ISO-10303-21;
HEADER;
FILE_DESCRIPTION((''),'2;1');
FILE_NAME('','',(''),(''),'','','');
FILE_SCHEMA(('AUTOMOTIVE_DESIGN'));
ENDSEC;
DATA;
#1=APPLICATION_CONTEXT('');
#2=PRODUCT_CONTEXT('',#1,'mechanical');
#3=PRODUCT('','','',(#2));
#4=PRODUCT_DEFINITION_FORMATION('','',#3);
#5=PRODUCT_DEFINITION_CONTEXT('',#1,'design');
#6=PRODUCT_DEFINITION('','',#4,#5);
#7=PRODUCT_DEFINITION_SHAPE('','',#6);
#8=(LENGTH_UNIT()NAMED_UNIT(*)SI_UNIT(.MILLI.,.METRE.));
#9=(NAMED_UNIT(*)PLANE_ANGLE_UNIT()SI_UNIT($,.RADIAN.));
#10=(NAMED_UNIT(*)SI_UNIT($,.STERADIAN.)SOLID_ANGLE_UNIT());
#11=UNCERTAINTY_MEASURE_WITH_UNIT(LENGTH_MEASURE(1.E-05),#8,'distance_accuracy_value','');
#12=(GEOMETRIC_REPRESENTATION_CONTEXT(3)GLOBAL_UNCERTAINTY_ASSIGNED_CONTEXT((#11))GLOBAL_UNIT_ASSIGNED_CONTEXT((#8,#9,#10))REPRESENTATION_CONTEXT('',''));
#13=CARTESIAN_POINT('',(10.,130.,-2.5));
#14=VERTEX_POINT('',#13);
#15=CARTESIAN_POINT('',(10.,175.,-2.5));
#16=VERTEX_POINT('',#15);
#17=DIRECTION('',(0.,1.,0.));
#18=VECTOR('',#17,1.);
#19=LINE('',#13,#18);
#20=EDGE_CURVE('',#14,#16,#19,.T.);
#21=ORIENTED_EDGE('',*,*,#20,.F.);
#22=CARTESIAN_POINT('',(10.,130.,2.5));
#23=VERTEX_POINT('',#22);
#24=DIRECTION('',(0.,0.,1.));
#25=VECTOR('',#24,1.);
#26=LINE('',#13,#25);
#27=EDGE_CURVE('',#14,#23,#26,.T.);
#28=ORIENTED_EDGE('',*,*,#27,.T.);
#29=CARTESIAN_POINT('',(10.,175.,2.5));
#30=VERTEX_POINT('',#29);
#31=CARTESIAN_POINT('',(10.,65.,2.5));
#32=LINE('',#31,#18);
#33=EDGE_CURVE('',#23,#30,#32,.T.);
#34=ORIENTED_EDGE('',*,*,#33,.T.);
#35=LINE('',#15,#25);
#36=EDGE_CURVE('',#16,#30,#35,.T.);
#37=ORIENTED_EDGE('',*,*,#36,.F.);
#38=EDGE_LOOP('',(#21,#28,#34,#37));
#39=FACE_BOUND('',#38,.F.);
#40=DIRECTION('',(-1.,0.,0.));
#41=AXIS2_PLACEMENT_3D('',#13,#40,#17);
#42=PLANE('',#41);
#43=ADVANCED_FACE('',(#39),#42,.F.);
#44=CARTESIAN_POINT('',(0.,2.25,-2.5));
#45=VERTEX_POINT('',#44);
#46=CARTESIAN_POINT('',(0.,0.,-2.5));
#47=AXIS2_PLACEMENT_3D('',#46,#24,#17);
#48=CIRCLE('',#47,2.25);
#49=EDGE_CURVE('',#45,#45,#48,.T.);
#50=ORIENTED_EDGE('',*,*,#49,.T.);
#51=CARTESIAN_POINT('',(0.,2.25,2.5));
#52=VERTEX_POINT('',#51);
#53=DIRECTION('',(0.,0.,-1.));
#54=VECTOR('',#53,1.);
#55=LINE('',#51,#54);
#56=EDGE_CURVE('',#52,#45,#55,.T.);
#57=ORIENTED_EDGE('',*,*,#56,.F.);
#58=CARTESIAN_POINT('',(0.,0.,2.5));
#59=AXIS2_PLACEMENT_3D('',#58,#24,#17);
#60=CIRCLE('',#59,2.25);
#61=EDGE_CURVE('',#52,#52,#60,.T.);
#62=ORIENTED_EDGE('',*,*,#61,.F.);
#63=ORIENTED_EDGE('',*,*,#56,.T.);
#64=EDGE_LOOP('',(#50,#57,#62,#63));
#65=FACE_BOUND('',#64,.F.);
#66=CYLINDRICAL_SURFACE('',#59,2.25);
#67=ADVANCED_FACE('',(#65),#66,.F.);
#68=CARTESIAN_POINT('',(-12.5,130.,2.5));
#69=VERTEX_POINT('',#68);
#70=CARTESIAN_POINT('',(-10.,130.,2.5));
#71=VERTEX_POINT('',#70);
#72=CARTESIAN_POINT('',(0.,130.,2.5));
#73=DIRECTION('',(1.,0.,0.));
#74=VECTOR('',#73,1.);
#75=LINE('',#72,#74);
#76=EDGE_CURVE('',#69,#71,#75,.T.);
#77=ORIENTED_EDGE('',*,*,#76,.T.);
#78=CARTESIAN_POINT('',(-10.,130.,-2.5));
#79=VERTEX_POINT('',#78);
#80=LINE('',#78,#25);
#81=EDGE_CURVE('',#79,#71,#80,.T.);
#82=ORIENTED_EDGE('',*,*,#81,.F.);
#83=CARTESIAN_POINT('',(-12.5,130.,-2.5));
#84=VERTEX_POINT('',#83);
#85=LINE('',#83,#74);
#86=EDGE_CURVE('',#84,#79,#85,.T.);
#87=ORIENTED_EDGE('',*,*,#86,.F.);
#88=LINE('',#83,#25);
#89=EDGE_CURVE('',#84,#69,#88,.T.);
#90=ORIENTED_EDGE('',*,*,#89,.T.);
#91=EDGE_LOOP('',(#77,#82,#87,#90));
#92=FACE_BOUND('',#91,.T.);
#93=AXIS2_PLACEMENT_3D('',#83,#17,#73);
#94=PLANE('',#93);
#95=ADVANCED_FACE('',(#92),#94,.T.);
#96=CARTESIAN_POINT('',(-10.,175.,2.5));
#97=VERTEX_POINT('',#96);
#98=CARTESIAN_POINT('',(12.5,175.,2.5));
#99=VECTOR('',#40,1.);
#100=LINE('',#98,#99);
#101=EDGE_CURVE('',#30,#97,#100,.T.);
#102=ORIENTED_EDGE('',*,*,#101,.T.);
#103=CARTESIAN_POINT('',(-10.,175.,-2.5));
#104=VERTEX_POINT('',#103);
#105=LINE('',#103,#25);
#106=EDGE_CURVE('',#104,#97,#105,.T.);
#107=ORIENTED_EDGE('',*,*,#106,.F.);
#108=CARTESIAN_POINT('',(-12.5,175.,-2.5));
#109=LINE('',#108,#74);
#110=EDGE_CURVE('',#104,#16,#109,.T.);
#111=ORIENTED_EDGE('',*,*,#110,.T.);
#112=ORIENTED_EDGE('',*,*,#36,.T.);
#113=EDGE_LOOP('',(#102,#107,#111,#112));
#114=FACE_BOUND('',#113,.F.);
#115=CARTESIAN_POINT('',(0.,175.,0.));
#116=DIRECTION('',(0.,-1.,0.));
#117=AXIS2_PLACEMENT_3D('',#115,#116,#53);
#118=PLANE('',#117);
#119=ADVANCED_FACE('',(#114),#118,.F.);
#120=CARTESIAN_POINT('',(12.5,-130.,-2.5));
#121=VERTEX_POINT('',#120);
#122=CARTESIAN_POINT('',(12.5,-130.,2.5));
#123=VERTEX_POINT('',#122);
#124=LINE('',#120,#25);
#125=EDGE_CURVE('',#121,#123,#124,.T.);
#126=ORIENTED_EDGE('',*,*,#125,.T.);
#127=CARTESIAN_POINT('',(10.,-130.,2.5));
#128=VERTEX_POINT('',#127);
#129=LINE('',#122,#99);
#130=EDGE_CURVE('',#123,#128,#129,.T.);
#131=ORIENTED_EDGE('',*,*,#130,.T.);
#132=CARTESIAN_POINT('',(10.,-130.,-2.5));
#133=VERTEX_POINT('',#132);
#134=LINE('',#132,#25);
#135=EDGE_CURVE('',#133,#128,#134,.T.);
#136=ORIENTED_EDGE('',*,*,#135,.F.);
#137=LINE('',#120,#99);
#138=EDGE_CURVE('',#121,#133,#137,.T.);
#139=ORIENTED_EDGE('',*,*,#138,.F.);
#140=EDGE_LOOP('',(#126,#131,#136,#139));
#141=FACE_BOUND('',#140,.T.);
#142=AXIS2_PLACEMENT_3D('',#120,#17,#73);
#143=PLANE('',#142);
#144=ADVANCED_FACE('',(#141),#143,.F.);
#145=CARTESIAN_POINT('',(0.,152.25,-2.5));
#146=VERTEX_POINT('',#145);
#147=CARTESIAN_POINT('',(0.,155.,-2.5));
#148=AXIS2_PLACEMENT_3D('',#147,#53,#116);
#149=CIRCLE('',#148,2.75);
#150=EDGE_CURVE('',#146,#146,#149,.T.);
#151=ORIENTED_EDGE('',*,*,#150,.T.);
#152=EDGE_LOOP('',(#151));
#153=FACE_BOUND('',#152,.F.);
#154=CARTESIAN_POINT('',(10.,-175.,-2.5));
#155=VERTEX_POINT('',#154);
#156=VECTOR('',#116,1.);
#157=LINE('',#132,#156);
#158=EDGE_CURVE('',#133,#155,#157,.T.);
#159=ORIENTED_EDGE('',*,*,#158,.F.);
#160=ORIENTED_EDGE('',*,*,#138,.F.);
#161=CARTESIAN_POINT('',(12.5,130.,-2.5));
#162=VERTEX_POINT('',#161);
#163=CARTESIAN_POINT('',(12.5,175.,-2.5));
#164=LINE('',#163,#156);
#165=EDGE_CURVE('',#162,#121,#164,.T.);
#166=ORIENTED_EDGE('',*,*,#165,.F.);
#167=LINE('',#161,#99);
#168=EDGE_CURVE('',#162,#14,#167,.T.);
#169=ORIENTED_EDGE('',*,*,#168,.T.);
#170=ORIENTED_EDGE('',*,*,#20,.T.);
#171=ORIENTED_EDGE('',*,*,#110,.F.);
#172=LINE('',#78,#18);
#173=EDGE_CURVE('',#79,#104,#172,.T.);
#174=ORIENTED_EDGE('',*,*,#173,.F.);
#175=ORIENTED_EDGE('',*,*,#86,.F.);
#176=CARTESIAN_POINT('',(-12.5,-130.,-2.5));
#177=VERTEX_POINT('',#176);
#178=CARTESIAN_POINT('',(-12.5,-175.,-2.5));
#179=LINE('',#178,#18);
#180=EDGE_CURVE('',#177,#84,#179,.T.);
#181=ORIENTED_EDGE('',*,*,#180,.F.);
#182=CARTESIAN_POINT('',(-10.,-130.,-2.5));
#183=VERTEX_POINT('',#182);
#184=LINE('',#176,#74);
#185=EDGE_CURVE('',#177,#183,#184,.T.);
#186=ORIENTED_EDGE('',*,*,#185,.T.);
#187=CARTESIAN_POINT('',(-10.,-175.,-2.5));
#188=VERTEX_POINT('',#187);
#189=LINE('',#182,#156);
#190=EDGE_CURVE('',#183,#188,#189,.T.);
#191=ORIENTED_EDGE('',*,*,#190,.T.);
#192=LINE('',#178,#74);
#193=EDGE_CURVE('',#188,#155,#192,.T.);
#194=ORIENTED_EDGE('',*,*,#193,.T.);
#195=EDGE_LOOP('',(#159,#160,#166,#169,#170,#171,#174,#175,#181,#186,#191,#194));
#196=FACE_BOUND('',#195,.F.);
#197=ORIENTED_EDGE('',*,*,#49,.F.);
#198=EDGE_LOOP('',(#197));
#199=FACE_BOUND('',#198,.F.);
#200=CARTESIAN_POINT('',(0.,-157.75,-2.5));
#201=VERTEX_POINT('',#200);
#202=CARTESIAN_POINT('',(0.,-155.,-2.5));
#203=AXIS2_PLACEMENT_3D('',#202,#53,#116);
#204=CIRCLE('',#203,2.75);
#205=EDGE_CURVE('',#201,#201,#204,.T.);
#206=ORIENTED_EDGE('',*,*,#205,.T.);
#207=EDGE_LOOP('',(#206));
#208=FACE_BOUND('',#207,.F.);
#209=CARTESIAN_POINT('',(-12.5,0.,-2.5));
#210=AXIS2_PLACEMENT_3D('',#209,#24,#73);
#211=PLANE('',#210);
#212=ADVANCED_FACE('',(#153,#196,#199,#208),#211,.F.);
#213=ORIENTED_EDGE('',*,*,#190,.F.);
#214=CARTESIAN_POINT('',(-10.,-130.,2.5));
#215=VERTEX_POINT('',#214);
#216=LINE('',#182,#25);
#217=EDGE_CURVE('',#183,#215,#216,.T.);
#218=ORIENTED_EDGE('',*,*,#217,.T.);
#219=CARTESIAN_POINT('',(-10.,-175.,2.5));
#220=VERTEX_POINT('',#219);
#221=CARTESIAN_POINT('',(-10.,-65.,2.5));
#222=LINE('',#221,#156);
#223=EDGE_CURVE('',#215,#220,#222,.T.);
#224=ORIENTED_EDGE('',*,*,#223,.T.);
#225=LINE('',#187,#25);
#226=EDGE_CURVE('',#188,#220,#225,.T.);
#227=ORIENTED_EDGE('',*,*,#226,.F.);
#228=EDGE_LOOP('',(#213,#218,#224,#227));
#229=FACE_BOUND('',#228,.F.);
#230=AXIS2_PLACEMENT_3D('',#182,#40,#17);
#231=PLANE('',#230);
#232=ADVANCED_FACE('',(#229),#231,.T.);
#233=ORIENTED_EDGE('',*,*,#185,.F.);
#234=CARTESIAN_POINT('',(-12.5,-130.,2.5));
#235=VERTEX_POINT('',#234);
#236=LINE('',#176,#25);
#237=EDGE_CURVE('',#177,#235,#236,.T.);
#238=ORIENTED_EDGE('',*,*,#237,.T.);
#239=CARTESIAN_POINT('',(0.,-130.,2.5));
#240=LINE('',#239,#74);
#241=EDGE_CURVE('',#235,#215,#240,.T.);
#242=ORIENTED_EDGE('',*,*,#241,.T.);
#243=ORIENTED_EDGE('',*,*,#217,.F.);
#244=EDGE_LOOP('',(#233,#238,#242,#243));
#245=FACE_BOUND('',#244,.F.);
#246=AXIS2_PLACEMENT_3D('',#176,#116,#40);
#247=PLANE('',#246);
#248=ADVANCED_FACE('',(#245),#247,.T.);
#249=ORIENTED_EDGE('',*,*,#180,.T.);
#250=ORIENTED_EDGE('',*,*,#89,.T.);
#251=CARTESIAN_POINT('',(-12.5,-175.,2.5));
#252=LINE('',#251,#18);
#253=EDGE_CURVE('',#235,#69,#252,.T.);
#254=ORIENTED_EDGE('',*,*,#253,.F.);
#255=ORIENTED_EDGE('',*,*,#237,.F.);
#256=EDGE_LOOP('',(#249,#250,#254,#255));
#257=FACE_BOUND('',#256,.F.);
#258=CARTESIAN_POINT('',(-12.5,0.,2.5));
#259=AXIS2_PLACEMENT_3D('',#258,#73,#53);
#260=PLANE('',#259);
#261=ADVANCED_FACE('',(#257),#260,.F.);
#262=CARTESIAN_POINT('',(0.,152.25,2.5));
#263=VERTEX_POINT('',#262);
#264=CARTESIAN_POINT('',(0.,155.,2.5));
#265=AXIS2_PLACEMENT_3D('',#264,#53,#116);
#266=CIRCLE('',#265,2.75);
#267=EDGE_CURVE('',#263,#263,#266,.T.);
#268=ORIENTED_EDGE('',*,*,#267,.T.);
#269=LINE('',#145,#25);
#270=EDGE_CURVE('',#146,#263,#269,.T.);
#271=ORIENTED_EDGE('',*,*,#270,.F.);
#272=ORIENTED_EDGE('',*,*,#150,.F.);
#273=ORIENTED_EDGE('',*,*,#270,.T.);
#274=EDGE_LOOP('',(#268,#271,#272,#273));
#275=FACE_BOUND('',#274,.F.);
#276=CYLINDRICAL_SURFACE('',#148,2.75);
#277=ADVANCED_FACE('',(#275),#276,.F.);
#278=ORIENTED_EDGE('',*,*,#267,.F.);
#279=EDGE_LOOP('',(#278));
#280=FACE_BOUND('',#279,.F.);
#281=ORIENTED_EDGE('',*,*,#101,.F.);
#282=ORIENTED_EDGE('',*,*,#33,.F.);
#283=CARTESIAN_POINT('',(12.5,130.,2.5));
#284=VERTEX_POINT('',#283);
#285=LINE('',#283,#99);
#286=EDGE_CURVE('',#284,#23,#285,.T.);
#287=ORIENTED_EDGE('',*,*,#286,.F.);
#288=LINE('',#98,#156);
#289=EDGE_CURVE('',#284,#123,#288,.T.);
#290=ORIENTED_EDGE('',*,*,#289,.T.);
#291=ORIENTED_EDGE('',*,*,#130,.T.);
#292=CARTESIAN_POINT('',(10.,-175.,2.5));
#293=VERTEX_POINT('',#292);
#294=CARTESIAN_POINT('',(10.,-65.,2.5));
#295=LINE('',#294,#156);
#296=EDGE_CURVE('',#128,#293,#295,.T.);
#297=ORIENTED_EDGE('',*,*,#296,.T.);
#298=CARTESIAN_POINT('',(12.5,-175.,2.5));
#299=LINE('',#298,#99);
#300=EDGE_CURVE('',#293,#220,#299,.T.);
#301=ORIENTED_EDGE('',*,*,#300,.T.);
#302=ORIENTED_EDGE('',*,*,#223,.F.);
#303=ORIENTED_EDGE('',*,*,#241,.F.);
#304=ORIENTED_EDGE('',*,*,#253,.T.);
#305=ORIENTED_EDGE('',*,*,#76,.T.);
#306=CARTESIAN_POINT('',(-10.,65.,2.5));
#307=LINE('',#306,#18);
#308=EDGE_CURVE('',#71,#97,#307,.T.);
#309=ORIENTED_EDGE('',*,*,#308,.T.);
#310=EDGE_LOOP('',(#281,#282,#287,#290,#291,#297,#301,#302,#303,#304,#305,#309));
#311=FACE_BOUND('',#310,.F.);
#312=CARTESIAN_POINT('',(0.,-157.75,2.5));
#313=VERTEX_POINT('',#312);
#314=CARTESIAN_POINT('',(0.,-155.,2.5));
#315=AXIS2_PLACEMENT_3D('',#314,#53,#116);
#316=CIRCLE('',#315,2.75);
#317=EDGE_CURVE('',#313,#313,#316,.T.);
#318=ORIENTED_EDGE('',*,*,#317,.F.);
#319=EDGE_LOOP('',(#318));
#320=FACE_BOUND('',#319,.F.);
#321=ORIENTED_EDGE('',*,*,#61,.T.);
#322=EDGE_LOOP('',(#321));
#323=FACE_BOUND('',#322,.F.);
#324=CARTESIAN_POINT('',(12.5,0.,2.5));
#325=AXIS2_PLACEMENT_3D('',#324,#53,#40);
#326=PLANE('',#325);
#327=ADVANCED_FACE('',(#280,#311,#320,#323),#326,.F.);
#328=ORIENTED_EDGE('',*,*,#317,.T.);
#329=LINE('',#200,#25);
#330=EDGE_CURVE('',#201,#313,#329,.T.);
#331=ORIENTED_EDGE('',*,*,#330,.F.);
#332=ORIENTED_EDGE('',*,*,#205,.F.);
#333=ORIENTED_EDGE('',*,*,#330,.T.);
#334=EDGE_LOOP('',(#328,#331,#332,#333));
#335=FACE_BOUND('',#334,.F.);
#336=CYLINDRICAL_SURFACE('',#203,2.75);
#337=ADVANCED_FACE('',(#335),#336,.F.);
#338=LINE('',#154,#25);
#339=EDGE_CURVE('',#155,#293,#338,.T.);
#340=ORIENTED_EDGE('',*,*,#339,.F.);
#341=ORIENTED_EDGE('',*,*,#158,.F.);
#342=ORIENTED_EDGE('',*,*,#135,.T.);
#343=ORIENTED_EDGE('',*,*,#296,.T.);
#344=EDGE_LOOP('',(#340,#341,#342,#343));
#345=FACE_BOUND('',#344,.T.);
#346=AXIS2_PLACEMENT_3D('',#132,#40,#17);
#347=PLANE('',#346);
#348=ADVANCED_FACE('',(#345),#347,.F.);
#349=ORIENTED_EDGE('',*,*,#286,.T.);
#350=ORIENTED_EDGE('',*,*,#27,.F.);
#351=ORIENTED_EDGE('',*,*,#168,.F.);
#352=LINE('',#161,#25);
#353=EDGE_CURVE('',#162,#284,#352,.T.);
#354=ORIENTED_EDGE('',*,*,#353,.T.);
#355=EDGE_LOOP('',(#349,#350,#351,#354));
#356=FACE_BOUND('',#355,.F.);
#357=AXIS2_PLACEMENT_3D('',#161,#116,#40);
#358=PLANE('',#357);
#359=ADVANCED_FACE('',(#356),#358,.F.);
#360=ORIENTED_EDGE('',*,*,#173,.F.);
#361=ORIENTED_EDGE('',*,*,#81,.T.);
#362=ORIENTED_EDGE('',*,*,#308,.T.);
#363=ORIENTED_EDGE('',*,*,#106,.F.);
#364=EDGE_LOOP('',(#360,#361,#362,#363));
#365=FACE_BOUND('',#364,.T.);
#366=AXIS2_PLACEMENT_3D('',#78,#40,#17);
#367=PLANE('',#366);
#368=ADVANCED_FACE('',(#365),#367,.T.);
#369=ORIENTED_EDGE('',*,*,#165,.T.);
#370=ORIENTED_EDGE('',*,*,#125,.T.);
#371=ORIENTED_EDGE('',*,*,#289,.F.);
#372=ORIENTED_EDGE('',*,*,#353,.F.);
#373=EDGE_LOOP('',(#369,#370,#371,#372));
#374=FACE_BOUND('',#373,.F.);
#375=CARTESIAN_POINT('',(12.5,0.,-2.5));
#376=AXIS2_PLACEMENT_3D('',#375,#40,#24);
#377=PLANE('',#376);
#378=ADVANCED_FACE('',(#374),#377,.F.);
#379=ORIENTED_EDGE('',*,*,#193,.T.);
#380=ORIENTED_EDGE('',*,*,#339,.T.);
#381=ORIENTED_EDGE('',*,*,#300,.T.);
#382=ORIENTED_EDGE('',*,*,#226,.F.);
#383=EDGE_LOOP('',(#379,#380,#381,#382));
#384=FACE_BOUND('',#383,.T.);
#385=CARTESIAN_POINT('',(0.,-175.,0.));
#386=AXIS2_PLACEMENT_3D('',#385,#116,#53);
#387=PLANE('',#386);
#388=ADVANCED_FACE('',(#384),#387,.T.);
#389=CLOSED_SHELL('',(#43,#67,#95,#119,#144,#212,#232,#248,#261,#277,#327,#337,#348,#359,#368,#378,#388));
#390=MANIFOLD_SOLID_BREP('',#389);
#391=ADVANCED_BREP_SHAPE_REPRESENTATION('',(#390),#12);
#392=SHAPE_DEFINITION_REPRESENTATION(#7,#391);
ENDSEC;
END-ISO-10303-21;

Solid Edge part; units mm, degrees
sketch "Sketch1" plane through (0, 0, 0) normal (0, -1, 0) x (1, 0, 0)
  line L0 (-12.5, -2.5) -> (12.5, -2.5)
  line L1 (12.5, -2.5) -> (12.5, 2.5)
  line L2 (12.5, 2.5) -> (-12.5, 2.5)
  line L3 (-12.5, 2.5) -> (-12.5, -2.5)
  dimension "D1" = 25
  dimension "D2" = 5
extrude "Protrusion1" add sketch "Sketch1" along normal mid plane 350
sketch "Sketch2" plane through (0, 0, 2.5) normal (0, 0, 1) x (0, 1, 0)
  circle A0 centre (0, 0) radius 2.25
extrude "Cutout1" cut sketch "Sketch2" against normal through all
sketch "Sketch3" plane through (0, 0, -2.5) normal (0, 0, -1) x (0, -1, 0)
  circle A0 centre (-155, 0) radius 2.75
  circle A1 centre (155, 0) radius 2.75
  dimension "D1" = 5.5
  dimension "D2" = 20
  dimension "D3" = 20
extrude "Cutout2" cut sketch "Sketch3" against normal through all
sketch "Sketch4" plane through (0, 0, -2.5) normal (0, 0, -1) x (0, -1, 0)
  line L0 (-175, 12.5) -> (-130, 12.5)
  line L1 (-130, 12.5) -> (-130, 10)
  line L2 (-130, 10) -> (-175, 10)
  line L3 (-175, 10) -> (-175, 12.5)
  line L4 (-175, -12.5) -> (-130, -12.5)
  line L5 (-130, -12.5) -> (-130, -10)
  line L6 (-130, -10) -> (-175, -10)
  line L7 (-175, -10) -> (-175, -12.5)
  dimension "D1" = 45
  dimension "D2" = 20
extrude "Cutout3" cut sketch "Sketch4" against normal through all
mirror "Mirror1" about plane through (0, 0, 0) normal (0, -1, 0) of "Cutout3"
properties material "AlSi7Mg"
